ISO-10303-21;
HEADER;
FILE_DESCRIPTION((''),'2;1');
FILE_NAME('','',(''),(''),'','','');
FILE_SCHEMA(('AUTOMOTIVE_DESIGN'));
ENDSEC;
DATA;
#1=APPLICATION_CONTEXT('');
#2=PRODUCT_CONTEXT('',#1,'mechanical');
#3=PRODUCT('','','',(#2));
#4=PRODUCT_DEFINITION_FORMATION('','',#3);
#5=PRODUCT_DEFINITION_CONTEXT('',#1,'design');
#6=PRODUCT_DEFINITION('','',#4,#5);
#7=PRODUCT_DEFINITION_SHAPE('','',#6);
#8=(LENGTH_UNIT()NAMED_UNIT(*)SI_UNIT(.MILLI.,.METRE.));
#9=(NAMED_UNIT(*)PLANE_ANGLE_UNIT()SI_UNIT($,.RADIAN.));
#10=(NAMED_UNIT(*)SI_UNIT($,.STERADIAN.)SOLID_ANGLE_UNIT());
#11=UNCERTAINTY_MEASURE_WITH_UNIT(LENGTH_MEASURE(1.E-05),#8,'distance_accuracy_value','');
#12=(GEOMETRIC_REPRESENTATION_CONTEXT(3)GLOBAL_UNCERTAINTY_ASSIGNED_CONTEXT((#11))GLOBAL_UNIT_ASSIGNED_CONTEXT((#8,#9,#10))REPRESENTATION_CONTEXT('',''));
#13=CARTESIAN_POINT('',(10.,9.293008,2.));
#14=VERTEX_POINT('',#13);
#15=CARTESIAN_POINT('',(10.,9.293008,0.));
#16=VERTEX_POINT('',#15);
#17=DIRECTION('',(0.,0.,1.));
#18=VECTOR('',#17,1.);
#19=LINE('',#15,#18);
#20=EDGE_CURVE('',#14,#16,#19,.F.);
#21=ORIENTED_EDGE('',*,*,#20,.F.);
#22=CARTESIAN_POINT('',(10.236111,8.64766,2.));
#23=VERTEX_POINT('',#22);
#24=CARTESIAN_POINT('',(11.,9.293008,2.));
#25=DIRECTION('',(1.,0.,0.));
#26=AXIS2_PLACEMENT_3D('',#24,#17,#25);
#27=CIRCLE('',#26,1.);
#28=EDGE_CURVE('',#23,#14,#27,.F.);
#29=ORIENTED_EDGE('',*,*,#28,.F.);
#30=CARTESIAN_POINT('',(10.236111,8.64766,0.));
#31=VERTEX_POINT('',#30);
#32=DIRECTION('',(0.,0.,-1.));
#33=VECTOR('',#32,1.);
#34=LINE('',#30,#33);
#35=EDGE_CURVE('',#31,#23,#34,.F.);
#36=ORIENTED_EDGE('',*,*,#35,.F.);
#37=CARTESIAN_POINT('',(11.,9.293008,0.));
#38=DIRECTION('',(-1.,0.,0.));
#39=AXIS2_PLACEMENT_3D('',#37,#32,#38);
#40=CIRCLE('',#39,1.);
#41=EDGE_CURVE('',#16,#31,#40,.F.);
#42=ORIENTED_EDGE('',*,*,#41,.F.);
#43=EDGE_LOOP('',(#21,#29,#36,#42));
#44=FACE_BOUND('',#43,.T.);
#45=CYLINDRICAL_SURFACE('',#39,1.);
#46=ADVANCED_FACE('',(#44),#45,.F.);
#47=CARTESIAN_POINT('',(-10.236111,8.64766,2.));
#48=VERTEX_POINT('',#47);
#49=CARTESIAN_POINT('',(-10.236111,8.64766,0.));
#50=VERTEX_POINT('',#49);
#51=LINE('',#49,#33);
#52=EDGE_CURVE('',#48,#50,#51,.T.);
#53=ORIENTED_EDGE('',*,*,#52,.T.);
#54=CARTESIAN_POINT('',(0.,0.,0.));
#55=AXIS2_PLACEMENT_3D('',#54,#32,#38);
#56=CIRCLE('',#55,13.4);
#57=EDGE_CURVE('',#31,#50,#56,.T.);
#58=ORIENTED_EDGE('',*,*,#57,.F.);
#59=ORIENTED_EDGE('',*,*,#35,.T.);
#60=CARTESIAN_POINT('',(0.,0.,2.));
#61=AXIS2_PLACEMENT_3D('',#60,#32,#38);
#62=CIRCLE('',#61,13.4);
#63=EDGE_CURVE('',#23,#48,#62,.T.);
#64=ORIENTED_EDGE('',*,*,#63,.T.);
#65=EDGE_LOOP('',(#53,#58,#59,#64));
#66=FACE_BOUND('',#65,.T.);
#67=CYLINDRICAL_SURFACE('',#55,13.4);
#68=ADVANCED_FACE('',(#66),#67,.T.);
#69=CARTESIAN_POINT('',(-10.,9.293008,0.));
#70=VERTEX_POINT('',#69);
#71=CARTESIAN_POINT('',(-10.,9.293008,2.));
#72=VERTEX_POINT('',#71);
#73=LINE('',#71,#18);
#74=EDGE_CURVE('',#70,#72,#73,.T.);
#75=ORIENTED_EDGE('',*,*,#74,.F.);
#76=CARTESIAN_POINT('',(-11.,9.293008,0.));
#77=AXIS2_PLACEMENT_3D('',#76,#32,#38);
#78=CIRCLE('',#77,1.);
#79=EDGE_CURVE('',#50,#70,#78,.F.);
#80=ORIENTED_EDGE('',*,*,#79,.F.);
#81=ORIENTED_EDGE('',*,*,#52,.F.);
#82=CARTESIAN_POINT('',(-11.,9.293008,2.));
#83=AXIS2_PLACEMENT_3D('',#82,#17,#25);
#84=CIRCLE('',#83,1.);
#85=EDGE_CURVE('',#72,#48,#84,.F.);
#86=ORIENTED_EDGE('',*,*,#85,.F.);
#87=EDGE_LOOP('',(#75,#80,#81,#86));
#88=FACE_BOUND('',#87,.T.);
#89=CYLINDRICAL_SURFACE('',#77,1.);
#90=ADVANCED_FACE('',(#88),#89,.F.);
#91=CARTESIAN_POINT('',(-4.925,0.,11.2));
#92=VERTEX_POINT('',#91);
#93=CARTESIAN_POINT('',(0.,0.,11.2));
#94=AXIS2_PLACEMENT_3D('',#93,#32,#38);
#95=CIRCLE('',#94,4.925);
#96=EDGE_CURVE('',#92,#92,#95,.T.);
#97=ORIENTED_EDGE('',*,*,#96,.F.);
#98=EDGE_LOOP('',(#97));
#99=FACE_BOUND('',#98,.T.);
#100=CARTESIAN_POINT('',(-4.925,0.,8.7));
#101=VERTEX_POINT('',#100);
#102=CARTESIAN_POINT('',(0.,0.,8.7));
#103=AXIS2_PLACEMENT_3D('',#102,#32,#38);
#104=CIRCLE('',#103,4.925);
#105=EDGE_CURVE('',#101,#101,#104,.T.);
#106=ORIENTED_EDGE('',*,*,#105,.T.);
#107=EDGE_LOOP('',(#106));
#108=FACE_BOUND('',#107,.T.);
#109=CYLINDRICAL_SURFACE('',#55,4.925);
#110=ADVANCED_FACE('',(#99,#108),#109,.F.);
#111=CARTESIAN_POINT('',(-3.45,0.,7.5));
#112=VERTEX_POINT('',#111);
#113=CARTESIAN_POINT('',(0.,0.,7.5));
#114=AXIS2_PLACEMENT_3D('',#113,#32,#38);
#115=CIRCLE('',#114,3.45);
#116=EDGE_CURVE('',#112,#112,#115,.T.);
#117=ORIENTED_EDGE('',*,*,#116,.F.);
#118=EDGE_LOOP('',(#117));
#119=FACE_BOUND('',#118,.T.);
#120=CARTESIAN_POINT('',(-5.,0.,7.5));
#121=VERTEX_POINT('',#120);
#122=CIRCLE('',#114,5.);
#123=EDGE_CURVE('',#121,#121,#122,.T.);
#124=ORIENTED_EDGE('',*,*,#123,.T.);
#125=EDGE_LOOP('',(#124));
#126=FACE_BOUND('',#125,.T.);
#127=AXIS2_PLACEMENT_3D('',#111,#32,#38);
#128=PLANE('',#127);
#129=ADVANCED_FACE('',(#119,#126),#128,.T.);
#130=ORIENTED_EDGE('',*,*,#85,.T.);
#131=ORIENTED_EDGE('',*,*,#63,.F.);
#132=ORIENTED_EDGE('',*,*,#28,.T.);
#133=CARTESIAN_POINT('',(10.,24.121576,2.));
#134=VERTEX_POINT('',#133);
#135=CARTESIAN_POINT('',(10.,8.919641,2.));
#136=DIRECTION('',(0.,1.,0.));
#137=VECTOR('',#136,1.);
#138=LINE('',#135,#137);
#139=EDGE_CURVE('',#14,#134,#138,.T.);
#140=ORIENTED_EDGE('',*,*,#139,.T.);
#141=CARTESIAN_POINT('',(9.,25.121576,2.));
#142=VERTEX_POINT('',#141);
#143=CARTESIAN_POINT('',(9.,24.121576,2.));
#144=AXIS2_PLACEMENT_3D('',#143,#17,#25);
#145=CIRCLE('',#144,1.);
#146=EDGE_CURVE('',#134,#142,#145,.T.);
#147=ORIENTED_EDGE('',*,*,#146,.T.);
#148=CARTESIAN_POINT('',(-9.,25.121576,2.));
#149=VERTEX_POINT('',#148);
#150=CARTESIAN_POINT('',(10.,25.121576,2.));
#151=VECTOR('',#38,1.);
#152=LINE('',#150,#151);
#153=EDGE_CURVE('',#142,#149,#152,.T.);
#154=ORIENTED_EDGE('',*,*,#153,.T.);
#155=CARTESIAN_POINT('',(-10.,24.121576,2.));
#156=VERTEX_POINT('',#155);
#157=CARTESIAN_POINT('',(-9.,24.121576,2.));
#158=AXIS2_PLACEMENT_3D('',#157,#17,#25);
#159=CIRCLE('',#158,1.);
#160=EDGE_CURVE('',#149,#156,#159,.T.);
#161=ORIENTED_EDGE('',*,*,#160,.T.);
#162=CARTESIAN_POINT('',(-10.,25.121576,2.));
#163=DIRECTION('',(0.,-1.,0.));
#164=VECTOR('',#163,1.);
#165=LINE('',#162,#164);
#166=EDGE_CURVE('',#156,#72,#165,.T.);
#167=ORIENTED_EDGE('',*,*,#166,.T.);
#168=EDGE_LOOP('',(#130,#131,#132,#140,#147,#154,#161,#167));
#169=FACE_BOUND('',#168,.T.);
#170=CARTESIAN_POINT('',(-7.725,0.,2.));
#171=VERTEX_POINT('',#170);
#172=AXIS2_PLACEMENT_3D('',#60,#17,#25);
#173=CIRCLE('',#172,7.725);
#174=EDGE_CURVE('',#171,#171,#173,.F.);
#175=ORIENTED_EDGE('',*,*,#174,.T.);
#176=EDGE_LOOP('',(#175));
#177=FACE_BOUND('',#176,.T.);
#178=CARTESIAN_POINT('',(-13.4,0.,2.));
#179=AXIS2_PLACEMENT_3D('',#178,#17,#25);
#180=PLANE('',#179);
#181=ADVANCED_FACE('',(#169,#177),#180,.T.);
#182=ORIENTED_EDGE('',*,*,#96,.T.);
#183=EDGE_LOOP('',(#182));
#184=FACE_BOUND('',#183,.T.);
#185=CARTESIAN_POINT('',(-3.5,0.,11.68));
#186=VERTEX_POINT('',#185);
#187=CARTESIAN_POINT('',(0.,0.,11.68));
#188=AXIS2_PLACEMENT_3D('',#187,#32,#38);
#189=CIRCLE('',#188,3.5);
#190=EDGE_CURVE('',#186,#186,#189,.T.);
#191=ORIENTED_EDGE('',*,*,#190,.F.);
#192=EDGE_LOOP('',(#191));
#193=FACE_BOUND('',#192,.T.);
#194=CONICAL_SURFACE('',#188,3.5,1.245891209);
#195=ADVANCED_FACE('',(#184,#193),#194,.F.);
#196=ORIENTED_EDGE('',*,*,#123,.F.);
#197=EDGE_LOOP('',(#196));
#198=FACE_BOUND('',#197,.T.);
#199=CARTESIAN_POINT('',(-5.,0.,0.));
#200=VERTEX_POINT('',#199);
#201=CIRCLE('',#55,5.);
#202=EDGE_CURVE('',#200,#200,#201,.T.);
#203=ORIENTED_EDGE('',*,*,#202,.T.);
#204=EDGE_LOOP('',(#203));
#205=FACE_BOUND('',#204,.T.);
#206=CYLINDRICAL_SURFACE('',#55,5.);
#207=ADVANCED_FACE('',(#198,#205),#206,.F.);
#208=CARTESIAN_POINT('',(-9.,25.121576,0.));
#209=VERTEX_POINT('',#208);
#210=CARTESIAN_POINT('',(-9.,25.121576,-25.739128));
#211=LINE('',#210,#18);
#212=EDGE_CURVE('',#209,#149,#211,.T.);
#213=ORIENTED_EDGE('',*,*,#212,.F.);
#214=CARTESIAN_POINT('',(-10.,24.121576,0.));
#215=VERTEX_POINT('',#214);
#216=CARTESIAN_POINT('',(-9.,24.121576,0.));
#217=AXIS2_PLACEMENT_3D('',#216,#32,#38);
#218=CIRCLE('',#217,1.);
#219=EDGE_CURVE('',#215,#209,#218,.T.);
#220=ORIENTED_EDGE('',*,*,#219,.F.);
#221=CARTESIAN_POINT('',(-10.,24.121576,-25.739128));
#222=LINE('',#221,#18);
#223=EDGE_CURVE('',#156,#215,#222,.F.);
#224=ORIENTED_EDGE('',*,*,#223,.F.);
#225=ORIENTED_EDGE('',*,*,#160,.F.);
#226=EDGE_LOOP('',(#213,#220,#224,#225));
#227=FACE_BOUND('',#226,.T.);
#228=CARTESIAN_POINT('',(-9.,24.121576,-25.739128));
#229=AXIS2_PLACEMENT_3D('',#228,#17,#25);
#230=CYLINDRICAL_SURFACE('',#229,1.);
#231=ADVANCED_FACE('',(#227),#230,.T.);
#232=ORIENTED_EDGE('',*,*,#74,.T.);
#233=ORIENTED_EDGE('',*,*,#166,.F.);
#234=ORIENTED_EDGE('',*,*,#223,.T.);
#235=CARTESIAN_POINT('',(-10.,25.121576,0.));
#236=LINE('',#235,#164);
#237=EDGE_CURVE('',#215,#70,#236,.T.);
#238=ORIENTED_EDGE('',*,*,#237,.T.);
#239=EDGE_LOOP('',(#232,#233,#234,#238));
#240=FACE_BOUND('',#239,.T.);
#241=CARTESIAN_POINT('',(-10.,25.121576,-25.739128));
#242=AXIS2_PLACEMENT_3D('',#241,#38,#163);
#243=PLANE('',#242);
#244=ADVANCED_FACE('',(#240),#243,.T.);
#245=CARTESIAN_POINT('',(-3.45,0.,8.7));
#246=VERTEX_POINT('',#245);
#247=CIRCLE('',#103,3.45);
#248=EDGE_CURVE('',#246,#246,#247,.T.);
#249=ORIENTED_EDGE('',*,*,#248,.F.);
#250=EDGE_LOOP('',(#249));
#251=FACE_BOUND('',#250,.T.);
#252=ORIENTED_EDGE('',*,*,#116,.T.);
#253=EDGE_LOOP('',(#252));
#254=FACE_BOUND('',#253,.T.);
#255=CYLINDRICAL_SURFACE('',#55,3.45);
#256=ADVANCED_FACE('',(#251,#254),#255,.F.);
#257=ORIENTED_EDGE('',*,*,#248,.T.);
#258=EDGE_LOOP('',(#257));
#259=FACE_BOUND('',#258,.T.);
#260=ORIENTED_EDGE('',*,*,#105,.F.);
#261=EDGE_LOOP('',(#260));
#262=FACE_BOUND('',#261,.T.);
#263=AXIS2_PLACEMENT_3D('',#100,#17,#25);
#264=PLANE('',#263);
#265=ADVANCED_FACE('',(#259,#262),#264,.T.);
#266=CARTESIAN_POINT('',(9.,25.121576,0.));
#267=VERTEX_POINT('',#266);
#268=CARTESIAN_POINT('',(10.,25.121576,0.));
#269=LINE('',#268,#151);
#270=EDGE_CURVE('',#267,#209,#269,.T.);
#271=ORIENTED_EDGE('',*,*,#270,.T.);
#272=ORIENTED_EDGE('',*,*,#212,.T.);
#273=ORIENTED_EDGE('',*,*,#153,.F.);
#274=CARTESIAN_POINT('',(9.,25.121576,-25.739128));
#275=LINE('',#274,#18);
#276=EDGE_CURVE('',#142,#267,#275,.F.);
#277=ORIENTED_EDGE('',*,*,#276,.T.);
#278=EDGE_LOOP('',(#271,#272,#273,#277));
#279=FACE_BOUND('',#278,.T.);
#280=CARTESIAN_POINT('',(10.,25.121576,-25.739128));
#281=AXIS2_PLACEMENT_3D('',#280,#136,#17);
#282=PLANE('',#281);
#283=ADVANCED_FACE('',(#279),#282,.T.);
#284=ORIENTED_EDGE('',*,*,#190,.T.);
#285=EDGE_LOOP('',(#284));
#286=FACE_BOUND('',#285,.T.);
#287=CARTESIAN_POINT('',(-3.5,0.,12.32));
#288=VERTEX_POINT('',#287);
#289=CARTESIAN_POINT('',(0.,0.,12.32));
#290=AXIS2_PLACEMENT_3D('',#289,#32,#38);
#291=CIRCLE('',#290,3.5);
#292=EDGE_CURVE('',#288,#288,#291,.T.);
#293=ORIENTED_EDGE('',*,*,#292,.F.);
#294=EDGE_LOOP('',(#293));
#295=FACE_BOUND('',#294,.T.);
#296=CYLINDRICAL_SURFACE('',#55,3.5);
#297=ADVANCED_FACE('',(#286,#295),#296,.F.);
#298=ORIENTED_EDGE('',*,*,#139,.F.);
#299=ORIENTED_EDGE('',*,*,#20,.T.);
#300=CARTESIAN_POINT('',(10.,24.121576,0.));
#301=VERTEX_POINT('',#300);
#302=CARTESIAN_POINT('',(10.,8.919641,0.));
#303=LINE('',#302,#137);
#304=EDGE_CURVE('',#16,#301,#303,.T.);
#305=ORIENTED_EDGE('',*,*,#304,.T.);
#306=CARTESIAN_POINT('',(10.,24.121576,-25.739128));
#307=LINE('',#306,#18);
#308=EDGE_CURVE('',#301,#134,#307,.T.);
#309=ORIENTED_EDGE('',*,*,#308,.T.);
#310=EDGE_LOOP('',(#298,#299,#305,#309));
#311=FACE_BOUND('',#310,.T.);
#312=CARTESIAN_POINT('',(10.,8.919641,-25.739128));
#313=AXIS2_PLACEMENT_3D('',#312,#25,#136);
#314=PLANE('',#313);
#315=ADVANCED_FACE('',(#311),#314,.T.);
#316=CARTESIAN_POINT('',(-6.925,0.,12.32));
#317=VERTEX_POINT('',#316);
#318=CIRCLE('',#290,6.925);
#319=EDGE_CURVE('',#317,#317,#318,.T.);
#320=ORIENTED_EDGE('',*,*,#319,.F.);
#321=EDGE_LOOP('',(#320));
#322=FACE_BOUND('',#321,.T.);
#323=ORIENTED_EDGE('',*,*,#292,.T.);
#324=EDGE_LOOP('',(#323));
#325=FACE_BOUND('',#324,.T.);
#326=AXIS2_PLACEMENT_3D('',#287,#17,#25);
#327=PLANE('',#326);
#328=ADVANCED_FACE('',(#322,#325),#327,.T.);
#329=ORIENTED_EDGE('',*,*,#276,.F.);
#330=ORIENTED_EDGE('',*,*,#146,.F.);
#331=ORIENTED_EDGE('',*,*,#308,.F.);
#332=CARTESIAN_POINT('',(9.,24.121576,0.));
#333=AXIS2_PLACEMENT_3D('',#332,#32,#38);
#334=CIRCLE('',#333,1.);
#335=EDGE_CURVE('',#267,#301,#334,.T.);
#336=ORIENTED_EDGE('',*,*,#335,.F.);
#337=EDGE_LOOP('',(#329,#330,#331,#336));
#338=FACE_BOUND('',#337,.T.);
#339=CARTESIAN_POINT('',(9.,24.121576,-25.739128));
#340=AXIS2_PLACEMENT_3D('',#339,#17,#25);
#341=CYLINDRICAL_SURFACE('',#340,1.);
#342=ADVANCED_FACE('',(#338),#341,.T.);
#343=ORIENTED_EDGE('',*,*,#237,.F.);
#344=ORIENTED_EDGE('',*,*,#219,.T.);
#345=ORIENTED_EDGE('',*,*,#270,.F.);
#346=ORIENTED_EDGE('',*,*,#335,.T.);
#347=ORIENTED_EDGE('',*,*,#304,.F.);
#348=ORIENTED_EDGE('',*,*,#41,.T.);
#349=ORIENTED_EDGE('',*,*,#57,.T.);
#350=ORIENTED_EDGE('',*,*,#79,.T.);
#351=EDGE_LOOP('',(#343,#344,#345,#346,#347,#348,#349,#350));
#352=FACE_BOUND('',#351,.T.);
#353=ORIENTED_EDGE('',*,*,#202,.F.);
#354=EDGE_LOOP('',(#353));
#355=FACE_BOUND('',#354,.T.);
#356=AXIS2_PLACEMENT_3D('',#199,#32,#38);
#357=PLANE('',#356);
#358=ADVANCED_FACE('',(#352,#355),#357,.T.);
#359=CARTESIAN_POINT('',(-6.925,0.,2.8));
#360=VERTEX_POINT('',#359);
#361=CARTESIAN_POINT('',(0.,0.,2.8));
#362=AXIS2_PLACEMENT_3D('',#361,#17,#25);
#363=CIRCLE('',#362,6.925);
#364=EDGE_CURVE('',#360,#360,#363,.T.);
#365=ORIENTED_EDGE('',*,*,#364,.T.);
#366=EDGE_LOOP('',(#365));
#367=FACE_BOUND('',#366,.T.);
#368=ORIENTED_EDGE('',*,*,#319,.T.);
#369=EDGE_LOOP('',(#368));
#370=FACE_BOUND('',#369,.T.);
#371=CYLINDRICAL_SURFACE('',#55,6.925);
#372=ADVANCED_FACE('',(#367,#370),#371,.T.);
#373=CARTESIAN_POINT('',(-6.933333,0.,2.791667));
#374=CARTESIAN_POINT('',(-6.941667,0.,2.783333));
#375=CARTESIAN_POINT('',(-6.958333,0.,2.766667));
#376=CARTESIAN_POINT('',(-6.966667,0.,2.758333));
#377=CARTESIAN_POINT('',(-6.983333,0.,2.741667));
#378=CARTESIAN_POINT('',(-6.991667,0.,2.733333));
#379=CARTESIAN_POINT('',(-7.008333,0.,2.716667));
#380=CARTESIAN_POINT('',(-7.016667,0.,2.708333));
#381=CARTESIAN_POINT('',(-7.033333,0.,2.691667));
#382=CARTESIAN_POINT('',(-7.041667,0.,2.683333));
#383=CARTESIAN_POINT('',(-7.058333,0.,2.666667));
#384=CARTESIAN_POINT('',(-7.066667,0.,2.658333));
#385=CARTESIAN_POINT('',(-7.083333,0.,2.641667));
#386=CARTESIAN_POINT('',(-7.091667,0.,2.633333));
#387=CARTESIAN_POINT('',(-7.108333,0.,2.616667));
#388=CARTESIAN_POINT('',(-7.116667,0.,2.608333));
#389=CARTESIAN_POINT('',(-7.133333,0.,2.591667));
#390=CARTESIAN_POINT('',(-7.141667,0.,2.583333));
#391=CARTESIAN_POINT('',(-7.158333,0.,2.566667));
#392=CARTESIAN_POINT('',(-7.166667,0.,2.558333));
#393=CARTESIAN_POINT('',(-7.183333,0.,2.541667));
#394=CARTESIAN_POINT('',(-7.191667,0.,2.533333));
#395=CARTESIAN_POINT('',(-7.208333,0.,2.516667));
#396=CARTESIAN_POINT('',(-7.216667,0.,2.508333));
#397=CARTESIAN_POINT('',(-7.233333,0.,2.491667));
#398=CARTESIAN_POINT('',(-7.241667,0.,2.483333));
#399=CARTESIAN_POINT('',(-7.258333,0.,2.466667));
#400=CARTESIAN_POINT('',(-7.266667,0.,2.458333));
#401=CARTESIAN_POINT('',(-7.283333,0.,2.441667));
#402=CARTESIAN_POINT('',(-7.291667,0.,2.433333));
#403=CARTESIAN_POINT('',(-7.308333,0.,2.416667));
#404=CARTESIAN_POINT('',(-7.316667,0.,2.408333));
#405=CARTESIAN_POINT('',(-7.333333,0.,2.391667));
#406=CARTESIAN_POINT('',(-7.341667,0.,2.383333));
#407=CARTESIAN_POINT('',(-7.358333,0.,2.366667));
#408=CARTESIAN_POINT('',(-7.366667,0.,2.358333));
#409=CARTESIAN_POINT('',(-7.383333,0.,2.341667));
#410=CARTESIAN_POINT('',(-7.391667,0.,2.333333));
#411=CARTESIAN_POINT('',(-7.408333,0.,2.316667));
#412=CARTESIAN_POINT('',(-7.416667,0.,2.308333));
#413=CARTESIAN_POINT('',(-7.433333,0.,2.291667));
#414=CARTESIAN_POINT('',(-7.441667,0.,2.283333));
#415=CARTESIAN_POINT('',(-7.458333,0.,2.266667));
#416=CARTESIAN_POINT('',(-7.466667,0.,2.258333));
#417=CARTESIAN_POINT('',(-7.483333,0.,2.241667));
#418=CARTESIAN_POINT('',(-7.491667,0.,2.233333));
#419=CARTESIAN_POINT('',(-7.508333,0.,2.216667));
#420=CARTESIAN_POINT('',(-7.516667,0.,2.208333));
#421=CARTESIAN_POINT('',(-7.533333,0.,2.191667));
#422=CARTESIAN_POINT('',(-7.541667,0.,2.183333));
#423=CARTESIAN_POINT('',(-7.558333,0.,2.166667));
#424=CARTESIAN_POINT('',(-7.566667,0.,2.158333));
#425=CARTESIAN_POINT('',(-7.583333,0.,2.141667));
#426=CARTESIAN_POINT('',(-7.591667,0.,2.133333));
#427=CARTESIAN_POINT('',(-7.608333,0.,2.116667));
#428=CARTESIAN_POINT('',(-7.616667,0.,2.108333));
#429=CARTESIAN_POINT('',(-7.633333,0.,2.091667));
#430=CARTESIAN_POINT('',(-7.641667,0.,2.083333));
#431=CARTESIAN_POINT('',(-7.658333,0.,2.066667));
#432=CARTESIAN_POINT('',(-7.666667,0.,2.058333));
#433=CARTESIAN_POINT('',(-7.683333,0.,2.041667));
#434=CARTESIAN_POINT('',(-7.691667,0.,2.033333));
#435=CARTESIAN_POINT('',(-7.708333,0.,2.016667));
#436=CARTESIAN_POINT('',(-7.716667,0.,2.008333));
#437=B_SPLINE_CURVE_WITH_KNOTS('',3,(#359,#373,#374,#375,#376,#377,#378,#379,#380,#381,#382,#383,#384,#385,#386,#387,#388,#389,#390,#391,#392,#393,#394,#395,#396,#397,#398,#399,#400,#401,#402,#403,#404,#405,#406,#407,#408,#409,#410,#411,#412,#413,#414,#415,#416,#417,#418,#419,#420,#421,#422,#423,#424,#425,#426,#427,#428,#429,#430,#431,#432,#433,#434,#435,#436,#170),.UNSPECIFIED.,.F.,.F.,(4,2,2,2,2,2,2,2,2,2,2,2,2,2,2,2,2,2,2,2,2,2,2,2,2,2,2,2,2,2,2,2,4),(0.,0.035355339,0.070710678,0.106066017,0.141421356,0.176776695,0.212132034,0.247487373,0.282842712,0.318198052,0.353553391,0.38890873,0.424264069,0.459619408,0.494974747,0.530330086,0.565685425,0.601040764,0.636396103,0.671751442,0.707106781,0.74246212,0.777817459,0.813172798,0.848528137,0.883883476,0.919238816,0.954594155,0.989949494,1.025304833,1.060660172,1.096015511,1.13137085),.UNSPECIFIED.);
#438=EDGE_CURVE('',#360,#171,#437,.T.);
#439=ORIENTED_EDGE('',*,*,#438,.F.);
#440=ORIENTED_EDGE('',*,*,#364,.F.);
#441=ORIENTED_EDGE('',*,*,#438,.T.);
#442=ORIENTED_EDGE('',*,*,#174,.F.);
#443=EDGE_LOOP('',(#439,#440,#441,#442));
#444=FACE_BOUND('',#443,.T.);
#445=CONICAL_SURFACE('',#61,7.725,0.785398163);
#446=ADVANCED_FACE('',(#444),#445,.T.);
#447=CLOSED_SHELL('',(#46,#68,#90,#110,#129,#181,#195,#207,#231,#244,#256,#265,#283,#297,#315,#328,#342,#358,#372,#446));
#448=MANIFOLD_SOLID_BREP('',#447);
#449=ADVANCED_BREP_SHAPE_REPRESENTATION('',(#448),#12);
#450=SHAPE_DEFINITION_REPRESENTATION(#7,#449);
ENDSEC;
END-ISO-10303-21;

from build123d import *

# Parameters (mm, degrees)
BOSS_EXTRUDE1_DEPTH = 2
FILLET2_R           = 1
CHAMFER1_SIZE       = 0.8


with BuildPart() as part:
    # Sketch2 → Revolve1 (revolve)
    with BuildSketch(Plane(origin=(0, 0, 0), x_dir=(1, 0, 0), z_dir=(0, 1, 0))):
        Polygon((-3.5, -12.32), (-3.5, -11.68), (-4.925, -11.2), (-4.925, -8.7), (-3.45, -8.7), (-3.45, -7.5), (-5, -7.5), (-5, 0), (-13.4, 0), (-13.4, -2), (-6.925, -2), (-6.925, -12.32), align=None)
    revolve(axis=Axis((0, 0, 0), (0, 0, 1)))

    # Sketch3 → Boss-Extrude1 (add)
    with BuildSketch(Plane.XY.offset(2)):
        with BuildLine():
            Line((10, 8.919641248), (10, 25.121576202))
            Line((10, 25.121576202), (-10, 25.121576202))
            Line((-10, 25.121576202), (-10, 8.919641248))
            ThreePointArc((-10, 8.919641248), (0, 13.4), (10, 8.919641248))
        make_face()
    extrude(amount=-BOSS_EXTRUDE1_DEPTH)

    # Fillet2
    fillet2_edges = [part.edges().sort_by_distance(p)[0] for p in [
        (10, 25.121576202, 1),
        (-10, 25.121576202, 1),
        (-10, 8.919641248, 1),
        (10, 8.919641248, 1),
    ]]
    fillet(fillet2_edges, radius=FILLET2_R)

    # Chamfer1
    chamfer1_edges = [part.edges().sort_by_distance(p)[0] for p in [
        (6.925, 0, 2),
    ]]
    chamfer(chamfer1_edges, length=CHAMFER1_SIZE)


solid = part.part
